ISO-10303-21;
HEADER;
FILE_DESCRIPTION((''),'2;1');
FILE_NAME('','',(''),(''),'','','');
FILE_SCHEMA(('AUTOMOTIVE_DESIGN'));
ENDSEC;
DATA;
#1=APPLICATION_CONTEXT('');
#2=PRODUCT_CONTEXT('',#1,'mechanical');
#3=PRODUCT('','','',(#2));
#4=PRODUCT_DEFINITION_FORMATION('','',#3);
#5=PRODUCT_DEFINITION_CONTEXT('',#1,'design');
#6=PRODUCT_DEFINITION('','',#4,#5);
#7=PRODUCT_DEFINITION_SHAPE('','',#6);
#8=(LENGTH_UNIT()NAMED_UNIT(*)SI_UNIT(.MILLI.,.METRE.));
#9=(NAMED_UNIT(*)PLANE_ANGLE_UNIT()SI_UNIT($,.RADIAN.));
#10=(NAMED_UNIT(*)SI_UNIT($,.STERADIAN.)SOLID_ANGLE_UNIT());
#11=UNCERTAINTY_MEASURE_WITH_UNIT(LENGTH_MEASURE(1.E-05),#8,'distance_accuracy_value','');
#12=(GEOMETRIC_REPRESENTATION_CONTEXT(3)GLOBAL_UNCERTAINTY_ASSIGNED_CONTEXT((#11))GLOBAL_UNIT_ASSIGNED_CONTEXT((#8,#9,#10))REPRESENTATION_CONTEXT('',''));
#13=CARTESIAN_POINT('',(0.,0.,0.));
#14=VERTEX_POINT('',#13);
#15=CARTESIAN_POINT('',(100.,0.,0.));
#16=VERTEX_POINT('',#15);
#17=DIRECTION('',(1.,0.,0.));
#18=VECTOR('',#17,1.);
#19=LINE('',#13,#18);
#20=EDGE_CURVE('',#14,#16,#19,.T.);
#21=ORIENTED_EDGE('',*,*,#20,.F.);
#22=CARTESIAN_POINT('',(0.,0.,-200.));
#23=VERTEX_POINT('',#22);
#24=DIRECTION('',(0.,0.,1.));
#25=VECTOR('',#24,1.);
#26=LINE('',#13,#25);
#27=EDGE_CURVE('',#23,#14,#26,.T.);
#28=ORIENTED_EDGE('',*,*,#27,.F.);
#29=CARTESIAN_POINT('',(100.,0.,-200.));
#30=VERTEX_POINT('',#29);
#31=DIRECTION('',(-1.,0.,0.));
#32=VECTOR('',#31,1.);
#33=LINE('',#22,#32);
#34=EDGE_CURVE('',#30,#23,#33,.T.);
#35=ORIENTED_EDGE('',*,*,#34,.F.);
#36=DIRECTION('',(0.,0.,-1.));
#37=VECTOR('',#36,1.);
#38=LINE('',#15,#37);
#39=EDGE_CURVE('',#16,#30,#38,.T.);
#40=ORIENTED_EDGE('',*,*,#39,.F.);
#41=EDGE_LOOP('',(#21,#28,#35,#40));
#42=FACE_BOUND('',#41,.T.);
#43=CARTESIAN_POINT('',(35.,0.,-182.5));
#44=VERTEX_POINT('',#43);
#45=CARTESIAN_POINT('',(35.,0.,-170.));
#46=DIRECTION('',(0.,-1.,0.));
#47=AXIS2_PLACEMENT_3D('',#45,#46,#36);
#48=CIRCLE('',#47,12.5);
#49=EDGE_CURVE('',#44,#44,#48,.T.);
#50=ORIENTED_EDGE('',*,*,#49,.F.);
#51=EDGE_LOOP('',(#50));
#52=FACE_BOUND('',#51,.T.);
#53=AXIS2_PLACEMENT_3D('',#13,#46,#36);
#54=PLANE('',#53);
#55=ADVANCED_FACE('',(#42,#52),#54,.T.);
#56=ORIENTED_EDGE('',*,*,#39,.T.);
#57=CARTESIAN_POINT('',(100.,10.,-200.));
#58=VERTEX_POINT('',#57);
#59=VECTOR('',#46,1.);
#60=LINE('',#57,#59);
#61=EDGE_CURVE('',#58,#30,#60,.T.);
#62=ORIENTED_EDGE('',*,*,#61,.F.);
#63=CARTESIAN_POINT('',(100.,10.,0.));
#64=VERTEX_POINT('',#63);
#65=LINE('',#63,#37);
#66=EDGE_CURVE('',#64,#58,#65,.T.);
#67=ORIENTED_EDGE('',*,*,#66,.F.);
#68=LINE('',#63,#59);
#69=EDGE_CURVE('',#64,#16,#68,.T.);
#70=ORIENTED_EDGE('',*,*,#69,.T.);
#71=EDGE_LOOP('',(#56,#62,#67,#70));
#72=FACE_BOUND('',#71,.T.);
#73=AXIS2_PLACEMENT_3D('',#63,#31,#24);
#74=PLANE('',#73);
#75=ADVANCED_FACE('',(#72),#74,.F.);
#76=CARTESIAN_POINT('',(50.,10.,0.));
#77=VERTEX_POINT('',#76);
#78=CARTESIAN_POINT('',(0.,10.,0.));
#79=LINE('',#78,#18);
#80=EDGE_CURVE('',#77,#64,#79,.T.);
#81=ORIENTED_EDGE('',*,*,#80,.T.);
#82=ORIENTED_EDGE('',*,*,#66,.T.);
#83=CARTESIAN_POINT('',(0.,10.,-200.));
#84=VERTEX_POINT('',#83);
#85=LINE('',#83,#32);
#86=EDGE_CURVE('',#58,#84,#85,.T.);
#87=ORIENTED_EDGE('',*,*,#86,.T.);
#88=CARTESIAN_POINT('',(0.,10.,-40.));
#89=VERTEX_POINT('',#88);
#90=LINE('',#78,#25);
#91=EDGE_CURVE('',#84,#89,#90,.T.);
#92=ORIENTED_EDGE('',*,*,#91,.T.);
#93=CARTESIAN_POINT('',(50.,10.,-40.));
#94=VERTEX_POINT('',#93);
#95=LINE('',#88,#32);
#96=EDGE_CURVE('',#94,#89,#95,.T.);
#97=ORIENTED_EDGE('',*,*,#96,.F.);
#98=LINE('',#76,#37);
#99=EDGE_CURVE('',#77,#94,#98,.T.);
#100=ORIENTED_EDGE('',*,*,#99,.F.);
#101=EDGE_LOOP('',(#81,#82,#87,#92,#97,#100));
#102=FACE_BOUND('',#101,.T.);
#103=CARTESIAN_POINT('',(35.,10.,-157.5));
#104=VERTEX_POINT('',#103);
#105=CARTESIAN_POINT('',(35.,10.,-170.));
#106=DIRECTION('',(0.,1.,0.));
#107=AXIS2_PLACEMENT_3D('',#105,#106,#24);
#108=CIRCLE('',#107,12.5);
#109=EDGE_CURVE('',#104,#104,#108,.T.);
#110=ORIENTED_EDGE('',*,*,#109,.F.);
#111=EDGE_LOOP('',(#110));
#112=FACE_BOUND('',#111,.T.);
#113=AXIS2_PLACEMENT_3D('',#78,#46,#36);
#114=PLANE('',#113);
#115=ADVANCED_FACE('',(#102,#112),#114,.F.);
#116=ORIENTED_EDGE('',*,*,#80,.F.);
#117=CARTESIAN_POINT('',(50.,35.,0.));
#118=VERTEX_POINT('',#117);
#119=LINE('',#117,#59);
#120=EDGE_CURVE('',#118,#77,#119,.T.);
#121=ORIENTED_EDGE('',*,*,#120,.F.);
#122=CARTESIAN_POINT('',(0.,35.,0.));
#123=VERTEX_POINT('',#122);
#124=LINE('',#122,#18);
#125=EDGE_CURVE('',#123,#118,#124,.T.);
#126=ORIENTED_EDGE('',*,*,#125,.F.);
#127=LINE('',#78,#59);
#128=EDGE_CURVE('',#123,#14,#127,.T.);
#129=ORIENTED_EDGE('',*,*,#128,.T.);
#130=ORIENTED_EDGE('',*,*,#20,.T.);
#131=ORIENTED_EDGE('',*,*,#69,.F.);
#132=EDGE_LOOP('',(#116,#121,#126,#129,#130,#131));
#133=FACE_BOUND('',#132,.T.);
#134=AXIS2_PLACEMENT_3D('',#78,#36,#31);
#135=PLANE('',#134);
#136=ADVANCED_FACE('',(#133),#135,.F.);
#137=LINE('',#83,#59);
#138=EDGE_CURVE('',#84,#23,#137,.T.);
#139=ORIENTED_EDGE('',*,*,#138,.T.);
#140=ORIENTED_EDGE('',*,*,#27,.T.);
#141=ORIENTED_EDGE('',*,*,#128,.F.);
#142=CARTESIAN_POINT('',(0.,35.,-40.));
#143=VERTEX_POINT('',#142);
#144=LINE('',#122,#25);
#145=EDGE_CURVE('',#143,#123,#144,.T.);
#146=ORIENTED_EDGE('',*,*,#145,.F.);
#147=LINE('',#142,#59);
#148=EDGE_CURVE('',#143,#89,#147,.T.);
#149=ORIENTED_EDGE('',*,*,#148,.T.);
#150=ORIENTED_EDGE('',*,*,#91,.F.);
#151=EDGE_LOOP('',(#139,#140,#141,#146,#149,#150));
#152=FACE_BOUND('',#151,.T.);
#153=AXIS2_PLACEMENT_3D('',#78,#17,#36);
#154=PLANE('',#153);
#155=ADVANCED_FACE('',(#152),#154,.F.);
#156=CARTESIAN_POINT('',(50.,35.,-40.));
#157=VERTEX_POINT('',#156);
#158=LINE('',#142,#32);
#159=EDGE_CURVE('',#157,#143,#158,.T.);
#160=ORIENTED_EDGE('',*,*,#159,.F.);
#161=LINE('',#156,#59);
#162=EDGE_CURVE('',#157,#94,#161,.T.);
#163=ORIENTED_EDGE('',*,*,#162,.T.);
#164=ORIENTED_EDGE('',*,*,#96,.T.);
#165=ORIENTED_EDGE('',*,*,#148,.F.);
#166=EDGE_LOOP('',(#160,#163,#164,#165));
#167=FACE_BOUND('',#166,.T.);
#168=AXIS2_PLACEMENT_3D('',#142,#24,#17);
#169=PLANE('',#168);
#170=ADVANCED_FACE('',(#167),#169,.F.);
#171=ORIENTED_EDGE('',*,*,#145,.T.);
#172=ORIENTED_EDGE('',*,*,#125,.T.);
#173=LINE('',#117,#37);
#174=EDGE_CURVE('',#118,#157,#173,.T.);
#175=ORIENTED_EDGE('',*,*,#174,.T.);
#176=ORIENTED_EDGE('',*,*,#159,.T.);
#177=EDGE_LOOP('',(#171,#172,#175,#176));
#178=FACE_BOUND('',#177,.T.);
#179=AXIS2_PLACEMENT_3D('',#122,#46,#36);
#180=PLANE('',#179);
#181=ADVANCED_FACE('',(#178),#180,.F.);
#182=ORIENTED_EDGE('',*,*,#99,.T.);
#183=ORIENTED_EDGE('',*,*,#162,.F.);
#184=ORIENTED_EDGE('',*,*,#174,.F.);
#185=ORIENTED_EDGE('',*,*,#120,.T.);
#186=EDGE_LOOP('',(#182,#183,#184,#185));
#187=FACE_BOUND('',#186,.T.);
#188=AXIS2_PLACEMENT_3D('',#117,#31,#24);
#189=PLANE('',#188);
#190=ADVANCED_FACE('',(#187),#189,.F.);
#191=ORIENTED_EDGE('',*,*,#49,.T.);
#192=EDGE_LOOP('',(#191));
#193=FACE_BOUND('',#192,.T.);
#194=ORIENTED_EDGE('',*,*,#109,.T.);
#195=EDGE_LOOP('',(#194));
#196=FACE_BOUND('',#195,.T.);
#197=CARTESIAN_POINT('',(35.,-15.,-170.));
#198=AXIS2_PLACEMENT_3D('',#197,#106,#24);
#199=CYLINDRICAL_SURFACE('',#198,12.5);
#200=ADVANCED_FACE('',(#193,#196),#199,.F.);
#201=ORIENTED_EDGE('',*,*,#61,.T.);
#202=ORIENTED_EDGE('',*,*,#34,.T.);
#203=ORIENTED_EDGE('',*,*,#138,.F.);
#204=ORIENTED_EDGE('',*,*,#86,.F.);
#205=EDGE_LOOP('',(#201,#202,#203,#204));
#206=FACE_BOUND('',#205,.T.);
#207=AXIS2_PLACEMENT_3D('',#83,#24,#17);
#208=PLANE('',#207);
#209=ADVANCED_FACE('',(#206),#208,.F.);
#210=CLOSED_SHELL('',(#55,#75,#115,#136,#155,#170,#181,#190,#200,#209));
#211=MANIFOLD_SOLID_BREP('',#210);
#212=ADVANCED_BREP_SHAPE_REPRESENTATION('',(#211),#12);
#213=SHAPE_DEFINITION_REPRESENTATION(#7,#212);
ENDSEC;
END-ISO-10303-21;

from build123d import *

# Parameters (mm, degrees)
SKETCH1_W           = 100
SKETCH1_H           = 200
BOSS_EXTRUDE1_DEPTH = 10
SKETCH2_W           = 50
SKETCH2_H           = 40
BOSS_EXTRUDE2_DEPTH = 25
SKETCH4_R           = 12.5
CUT_EXTRUDE1_DEPTH  = 25


with BuildPart() as part:
    # Sketch1 → Boss-Extrude1 (new body)
    with BuildSketch(Plane(origin=(0, 0, 0), x_dir=(1, 0, 0), z_dir=(0, 1, 0))):
        with Locations((50, 100)):
            Rectangle(SKETCH1_W, SKETCH1_H)
    extrude(amount=BOSS_EXTRUDE1_DEPTH)

    # Sketch2 → Boss-Extrude2 (add)
    with BuildSketch(Plane(origin=(0, 10, 0), x_dir=(1, 0, 0), z_dir=(0, 1, 0))):
        with Locations((25, 20)):
            Rectangle(SKETCH2_W, SKETCH2_H)
    extrude(amount=BOSS_EXTRUDE2_DEPTH)

    # Sketch4 → Cut-Extrude1 (cut)
    with BuildSketch(Plane(origin=(0, 10, 0), x_dir=(1, 0, 0), z_dir=(0, 1, 0))):
        with Locations((35, 170)):
            Circle(SKETCH4_R)
    extrude(amount=-CUT_EXTRUDE1_DEPTH, mode=Mode.SUBTRACT)


solid = part.part
